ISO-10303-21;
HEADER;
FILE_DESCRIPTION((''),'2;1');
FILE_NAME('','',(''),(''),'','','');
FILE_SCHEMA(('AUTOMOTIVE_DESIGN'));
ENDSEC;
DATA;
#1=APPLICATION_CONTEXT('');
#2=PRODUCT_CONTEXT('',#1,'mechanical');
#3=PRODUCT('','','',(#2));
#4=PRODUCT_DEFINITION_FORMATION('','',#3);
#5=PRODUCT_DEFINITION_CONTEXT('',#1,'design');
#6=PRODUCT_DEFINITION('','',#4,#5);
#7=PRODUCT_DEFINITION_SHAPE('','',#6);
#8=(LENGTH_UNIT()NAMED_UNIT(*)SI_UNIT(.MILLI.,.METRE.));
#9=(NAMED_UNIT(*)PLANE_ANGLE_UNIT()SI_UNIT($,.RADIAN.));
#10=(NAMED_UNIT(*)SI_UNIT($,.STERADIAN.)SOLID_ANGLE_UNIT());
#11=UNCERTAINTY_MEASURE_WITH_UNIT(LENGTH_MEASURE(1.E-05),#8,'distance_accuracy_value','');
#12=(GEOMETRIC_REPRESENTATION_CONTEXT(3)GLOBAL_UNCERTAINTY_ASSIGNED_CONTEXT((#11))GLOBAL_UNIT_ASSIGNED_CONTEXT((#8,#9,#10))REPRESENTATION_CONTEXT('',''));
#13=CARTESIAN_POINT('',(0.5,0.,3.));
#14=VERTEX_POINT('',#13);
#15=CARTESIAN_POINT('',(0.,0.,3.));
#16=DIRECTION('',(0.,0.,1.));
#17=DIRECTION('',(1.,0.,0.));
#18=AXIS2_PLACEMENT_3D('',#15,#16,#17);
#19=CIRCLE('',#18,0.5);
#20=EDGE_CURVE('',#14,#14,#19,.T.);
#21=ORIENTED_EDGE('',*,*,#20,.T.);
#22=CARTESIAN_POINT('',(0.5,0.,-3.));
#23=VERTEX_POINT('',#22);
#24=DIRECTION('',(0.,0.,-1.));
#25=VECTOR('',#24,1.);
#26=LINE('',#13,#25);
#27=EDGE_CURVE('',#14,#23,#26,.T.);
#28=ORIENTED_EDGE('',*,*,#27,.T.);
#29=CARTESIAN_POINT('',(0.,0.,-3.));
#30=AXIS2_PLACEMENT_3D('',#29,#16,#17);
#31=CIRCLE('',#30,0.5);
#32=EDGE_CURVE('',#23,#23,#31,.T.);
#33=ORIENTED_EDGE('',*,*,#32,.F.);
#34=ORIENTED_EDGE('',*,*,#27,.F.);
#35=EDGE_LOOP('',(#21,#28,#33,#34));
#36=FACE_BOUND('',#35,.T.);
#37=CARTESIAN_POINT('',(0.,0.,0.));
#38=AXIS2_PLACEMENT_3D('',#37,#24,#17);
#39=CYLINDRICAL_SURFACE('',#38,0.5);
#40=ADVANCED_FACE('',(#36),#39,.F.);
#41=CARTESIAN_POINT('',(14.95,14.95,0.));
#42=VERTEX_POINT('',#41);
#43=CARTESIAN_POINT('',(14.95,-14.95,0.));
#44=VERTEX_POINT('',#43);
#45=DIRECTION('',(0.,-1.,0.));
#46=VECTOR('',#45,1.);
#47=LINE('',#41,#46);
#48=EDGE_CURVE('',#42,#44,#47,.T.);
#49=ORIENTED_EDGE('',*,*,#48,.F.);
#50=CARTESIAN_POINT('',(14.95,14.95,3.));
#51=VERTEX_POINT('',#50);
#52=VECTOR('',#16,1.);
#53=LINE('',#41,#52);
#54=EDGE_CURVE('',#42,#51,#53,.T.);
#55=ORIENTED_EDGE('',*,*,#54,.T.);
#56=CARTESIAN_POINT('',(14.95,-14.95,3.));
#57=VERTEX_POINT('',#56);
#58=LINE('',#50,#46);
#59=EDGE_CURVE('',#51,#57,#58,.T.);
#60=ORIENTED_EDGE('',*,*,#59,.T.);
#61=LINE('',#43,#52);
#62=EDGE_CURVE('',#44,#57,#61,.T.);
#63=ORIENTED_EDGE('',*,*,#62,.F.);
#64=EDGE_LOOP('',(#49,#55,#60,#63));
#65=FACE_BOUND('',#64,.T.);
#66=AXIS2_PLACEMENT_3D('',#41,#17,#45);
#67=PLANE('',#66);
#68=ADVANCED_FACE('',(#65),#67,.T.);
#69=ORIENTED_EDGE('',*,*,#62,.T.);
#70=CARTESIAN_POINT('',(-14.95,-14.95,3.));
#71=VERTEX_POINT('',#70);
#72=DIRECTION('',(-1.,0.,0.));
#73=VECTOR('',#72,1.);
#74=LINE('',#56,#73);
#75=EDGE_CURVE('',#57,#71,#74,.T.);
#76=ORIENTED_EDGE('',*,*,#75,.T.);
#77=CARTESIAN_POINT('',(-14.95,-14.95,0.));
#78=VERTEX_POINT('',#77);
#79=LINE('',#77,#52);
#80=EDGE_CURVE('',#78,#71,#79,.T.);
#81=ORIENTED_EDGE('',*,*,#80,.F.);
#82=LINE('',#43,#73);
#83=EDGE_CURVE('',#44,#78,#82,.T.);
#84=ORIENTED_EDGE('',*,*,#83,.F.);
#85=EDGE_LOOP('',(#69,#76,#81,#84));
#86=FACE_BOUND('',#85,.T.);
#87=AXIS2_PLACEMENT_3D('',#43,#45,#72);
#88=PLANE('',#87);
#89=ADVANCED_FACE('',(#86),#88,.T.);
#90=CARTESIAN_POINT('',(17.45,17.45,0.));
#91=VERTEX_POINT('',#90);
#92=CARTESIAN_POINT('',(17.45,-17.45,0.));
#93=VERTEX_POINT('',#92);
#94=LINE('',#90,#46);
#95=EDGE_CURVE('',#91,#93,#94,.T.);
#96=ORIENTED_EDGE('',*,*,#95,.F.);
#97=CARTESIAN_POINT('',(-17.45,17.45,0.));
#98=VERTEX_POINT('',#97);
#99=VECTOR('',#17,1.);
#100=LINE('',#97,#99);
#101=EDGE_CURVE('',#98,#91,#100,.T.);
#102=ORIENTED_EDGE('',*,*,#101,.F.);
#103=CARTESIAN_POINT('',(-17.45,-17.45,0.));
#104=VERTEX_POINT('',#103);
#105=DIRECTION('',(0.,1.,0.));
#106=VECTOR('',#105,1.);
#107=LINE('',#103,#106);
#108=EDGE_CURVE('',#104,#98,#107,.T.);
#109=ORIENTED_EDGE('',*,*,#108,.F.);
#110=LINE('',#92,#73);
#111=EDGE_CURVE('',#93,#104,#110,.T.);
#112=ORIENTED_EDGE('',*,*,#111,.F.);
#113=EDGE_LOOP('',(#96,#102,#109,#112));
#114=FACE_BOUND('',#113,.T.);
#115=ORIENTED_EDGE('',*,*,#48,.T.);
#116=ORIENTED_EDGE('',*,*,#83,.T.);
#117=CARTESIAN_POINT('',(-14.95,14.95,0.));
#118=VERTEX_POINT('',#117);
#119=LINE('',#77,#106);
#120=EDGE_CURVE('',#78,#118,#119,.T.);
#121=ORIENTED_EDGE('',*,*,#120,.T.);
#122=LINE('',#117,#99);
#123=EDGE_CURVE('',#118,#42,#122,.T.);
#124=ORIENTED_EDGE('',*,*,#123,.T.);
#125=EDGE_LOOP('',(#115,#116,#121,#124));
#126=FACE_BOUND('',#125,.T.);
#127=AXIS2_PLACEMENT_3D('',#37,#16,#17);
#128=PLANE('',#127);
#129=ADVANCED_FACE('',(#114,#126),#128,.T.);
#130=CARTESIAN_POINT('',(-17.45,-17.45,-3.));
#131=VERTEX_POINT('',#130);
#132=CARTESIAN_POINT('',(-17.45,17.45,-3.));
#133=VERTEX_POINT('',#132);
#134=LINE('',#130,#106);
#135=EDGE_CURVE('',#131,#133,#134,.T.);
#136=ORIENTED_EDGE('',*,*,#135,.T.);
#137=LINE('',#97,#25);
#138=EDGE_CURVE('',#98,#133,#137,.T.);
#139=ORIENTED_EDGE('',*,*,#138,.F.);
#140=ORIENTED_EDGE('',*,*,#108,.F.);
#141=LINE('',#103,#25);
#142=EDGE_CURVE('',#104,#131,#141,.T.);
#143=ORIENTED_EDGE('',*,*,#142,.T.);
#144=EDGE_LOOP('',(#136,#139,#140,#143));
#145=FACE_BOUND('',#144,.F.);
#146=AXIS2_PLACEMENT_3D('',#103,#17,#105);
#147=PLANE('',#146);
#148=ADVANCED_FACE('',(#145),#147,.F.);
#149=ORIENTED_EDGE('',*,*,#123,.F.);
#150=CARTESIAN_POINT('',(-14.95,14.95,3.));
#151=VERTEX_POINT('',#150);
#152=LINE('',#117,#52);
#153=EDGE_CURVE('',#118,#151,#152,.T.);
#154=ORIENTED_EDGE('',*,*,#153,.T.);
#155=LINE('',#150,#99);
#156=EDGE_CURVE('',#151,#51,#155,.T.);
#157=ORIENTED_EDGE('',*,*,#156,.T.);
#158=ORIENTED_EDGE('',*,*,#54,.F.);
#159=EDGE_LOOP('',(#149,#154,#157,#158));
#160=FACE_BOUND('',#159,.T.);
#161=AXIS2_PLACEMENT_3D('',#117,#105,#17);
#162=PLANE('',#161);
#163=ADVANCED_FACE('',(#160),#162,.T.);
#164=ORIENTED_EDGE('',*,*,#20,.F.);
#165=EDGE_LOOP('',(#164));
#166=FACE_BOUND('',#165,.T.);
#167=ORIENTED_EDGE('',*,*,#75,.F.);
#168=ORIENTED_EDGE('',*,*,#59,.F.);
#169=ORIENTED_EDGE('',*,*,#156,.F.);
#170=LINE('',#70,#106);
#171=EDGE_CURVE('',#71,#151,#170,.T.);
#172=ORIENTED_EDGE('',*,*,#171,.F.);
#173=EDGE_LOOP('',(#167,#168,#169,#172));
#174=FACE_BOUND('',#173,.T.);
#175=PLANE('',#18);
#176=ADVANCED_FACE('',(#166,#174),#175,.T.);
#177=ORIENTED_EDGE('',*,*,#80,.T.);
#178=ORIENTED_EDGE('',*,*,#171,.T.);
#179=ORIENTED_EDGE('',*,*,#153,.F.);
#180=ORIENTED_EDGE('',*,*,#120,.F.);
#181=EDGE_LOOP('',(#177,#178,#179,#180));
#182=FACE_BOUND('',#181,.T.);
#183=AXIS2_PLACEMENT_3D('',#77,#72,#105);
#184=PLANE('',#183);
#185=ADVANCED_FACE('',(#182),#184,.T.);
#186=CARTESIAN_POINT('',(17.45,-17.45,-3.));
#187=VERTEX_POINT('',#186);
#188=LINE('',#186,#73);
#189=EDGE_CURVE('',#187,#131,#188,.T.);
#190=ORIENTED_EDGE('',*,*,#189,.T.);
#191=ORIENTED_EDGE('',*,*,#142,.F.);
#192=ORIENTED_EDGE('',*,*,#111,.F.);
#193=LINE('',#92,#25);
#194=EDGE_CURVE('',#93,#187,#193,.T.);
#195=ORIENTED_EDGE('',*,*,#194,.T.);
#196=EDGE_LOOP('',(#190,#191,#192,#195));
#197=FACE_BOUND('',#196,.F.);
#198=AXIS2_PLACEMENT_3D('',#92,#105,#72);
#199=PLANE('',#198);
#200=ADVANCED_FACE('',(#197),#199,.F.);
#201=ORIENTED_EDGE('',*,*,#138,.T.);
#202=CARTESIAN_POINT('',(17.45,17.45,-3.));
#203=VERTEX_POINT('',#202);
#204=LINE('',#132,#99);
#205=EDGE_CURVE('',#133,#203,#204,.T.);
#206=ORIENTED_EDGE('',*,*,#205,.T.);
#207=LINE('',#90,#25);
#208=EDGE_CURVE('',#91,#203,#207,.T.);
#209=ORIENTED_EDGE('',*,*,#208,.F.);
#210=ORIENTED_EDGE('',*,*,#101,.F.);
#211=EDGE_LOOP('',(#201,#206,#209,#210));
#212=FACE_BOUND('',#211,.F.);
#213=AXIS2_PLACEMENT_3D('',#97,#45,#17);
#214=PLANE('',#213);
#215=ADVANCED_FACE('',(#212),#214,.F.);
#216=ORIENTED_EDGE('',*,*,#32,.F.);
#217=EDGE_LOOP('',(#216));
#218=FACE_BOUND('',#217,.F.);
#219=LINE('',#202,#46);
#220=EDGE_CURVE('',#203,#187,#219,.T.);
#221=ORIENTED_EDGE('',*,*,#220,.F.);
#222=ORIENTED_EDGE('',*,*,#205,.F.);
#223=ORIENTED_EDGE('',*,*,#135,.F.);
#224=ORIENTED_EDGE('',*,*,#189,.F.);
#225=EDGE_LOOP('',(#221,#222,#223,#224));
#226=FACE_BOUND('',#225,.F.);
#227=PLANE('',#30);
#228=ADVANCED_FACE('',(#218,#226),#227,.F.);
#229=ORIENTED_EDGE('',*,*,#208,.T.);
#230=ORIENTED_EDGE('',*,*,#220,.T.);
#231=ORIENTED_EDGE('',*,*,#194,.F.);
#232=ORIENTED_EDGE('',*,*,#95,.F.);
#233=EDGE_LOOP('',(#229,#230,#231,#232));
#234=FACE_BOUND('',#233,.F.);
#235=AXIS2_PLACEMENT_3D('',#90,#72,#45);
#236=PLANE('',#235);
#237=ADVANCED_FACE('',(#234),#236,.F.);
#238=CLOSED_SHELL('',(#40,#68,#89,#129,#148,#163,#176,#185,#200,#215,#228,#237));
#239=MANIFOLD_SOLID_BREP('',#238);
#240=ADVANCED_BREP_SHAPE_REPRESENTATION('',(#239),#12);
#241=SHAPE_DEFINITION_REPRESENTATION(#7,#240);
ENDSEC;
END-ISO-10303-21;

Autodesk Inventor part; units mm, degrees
ref_plane "YZ Plane" through (0, 0, 0) normal (1, 0, 0) x (0, 1, 0)
ref_plane "XZ Plane" through (0, 0, 0) normal (0, 1, 0) x (-1, 0, 0)
ref_plane "XY Plane" through (0, 0, 0) normal (0, 0, 1) x (1, 0, 0)
sketch "Sketch1" plane through (0, 0, 0) normal (0, 0, 1) x (1, 0, 0)
  line L0 (14.95, -14.95) -> (-14.95, -14.95)
  line L1 (-14.95, -14.95) -> (-14.95, 14.95)
  line L2 (-14.95, 14.95) -> (14.95, 14.95)
  line L3 (14.95, 14.95) -> (14.95, -14.95)
  line L4 (14.95, -14.95) -> (-14.95, 14.95) construction
  line L5 (-14.95, -14.95) -> (14.95, 14.95) construction
  circle A0 centre (0, 0) radius 0.5
  line L6 (17.45, -17.45) -> (-17.45, -17.45)
  line L7 (-17.45, -17.45) -> (-17.45, 17.45)
  line L8 (-17.45, 17.45) -> (17.45, 17.45)
  line L9 (17.45, 17.45) -> (17.45, -17.45)
  line L10 (17.45, -17.45) -> (-17.45, 17.45) construction
  line L11 (-17.45, -17.45) -> (17.45, 17.45) construction
  dimension "d2" = 29.9
  dimension "d3" = 29.9
  dimension "d4" = 1
  dimension "d5" = 34.9
  dimension "d6" = 34.9
extrude "Extrusion1" add sketch "Sketch1" along normal blind 3 contours L0 L1 L2 L3
extrude "Extrusion2" add sketch "Sketch1" against normal blind 3 contours L0 L1 L2 L3 | L6 L7 L8 L9
properties part number "Large-cuvette-cap-30mm"
